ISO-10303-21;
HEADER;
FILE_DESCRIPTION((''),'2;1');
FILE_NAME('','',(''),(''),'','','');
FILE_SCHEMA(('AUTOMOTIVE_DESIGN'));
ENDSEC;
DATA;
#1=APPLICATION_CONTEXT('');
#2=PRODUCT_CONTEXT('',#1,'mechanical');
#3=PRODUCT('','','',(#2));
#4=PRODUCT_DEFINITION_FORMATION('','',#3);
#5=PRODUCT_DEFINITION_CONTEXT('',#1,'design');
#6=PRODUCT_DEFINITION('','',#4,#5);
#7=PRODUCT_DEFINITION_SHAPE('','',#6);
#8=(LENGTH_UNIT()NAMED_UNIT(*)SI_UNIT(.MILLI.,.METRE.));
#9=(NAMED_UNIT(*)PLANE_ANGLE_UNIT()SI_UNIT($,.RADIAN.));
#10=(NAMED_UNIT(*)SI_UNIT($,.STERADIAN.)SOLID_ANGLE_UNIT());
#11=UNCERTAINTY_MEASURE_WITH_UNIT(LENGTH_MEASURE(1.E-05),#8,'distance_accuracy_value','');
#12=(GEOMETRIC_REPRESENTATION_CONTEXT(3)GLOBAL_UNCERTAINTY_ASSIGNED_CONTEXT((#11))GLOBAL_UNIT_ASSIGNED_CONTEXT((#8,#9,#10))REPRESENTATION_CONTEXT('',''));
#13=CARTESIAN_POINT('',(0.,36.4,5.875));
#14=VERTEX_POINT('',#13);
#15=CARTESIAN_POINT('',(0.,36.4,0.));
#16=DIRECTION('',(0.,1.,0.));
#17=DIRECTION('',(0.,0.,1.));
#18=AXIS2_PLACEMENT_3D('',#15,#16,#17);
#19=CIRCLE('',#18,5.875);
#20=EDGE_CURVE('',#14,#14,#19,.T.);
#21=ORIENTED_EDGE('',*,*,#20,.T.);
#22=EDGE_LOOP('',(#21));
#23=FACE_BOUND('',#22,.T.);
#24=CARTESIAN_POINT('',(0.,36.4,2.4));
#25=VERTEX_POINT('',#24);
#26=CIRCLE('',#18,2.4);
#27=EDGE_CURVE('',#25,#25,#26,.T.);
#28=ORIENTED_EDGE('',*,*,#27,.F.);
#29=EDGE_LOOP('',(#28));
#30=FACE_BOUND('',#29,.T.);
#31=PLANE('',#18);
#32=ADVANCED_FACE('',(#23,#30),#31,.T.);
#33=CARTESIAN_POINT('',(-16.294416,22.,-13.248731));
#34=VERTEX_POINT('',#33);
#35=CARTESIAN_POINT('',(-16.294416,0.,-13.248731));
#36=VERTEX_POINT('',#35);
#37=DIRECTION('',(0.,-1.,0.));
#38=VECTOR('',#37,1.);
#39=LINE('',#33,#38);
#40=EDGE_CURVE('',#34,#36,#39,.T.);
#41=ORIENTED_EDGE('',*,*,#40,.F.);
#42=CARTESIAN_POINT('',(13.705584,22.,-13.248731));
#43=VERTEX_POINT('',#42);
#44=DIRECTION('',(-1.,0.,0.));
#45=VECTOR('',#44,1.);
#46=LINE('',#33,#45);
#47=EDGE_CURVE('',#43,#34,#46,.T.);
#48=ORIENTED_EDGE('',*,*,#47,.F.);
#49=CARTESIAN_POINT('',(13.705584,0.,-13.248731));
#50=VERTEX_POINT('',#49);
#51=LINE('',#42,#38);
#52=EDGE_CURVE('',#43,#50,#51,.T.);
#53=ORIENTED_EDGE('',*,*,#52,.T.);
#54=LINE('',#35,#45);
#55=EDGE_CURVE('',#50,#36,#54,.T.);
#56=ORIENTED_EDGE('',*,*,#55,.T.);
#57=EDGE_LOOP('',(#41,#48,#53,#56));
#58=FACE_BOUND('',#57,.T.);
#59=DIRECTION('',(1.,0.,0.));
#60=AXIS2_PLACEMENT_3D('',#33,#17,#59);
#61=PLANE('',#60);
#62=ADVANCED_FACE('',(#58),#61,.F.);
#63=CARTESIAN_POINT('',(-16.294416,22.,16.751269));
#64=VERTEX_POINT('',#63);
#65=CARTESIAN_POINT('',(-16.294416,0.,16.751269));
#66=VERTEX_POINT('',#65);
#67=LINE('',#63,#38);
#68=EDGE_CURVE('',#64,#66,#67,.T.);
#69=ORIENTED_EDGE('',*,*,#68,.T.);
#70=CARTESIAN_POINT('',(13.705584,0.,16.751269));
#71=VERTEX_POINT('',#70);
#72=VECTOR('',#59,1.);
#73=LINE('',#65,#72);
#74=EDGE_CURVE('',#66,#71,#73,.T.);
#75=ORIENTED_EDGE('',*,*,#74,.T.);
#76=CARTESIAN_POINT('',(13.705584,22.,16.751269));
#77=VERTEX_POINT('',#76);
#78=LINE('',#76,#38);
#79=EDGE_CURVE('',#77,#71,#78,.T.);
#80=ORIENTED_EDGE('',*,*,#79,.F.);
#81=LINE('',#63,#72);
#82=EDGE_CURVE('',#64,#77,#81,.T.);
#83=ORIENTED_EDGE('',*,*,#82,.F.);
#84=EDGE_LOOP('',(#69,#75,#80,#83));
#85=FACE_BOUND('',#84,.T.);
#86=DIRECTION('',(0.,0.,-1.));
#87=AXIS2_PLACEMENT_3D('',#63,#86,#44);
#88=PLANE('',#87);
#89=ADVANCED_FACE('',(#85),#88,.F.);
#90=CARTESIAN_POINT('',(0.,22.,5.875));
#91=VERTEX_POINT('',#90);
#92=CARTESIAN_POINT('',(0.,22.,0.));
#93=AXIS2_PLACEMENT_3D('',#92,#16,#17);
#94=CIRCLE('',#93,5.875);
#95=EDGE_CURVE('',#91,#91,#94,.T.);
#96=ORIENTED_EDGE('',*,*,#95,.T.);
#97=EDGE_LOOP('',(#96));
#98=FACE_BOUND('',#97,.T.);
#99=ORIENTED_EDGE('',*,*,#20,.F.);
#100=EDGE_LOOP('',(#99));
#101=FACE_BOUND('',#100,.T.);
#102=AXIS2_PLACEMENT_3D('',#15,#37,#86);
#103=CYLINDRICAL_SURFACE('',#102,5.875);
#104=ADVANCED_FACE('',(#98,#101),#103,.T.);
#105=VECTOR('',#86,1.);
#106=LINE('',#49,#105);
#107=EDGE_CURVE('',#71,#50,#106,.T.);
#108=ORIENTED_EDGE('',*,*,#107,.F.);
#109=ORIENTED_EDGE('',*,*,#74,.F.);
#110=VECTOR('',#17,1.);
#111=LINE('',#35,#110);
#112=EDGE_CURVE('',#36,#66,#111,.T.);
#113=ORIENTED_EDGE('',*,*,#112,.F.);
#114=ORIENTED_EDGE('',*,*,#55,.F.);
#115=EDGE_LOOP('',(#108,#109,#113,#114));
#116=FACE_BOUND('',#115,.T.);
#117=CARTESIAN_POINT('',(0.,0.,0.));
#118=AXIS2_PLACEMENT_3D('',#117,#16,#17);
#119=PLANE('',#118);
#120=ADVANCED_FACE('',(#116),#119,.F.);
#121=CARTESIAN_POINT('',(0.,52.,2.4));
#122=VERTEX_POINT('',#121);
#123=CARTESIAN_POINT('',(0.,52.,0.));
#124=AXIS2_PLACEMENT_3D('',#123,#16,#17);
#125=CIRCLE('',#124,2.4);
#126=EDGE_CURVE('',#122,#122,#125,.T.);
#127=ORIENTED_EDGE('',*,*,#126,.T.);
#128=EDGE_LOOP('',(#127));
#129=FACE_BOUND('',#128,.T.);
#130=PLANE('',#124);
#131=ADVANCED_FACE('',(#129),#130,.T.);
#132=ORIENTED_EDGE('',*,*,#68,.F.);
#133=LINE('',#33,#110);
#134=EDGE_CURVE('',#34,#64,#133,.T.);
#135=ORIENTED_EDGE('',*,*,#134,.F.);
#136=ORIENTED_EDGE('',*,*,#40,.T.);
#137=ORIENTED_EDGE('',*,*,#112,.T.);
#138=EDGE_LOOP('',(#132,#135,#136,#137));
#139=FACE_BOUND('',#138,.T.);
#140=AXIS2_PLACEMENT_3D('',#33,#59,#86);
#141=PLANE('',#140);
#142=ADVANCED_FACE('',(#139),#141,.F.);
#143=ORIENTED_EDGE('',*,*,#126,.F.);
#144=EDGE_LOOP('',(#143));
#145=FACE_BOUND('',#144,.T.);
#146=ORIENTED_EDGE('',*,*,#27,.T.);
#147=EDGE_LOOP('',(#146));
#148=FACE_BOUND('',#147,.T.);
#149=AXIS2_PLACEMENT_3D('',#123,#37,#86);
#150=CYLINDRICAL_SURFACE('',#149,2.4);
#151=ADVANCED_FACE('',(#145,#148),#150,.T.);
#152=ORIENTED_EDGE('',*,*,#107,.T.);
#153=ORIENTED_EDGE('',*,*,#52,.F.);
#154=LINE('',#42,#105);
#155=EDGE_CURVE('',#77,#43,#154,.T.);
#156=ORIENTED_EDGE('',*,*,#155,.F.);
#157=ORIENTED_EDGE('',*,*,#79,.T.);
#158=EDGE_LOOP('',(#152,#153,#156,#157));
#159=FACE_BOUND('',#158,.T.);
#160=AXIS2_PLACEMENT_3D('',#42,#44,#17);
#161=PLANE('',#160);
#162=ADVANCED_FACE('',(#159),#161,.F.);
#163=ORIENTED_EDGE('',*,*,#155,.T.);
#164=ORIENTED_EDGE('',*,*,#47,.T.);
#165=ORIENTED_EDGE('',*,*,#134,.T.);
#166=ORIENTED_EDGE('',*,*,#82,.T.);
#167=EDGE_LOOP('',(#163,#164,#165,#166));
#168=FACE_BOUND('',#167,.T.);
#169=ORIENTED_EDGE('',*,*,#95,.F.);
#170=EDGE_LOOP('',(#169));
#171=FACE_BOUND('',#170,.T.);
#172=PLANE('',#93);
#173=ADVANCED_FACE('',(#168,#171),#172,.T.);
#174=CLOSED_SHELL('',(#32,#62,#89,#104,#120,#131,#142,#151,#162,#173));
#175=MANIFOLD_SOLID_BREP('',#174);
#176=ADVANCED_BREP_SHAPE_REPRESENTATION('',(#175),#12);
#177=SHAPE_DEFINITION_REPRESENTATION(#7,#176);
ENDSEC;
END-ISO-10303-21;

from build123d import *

# Parameters (mm, degrees)
SKETCH_1_W        = 30
SKETCH_1_H        = 30
EXTRUDE_268_DEPTH = 22
SKETCH_2_R        = 5.875
EXTRUDE_2_DEPTH   = 14.4
SKETCH_4_R        = 2.4
EXTRUDE_3_DEPTH   = 15.6


with BuildPart() as part:
    # Эскиз1 → Extrude 268 (new body)
    with BuildSketch(Plane(origin=(0, 0, 0), x_dir=(1, 0, 0), z_dir=(0, 1, 0))):
        with Locations((-1.294416244, -1.751269036)):
            Rectangle(SKETCH_1_W, SKETCH_1_H)
    extrude(amount=EXTRUDE_268_DEPTH)

    # Эскиз2 → Бобышка-Вытянуть2 (add)
    with BuildSketch(Plane(origin=(0, 22, 0), x_dir=(1, 0, 0), z_dir=(0, 1, 0))):
        with Locations(Location((0, 0, 0), (0, 0, 270))):
            Circle(SKETCH_2_R)
    extrude(amount=EXTRUDE_2_DEPTH)

    # Эскиз4 → Бобышка-Вытянуть3 (add)
    with BuildSketch(Plane(origin=(0, 36.4, 0), x_dir=(1, 0, 0), z_dir=(0, 1, 0))):
        with Locations(Location((0, 0, 0), (0, 0, 270))):
            Circle(SKETCH_4_R)
    extrude(amount=EXTRUDE_3_DEPTH)


solid = part.part
